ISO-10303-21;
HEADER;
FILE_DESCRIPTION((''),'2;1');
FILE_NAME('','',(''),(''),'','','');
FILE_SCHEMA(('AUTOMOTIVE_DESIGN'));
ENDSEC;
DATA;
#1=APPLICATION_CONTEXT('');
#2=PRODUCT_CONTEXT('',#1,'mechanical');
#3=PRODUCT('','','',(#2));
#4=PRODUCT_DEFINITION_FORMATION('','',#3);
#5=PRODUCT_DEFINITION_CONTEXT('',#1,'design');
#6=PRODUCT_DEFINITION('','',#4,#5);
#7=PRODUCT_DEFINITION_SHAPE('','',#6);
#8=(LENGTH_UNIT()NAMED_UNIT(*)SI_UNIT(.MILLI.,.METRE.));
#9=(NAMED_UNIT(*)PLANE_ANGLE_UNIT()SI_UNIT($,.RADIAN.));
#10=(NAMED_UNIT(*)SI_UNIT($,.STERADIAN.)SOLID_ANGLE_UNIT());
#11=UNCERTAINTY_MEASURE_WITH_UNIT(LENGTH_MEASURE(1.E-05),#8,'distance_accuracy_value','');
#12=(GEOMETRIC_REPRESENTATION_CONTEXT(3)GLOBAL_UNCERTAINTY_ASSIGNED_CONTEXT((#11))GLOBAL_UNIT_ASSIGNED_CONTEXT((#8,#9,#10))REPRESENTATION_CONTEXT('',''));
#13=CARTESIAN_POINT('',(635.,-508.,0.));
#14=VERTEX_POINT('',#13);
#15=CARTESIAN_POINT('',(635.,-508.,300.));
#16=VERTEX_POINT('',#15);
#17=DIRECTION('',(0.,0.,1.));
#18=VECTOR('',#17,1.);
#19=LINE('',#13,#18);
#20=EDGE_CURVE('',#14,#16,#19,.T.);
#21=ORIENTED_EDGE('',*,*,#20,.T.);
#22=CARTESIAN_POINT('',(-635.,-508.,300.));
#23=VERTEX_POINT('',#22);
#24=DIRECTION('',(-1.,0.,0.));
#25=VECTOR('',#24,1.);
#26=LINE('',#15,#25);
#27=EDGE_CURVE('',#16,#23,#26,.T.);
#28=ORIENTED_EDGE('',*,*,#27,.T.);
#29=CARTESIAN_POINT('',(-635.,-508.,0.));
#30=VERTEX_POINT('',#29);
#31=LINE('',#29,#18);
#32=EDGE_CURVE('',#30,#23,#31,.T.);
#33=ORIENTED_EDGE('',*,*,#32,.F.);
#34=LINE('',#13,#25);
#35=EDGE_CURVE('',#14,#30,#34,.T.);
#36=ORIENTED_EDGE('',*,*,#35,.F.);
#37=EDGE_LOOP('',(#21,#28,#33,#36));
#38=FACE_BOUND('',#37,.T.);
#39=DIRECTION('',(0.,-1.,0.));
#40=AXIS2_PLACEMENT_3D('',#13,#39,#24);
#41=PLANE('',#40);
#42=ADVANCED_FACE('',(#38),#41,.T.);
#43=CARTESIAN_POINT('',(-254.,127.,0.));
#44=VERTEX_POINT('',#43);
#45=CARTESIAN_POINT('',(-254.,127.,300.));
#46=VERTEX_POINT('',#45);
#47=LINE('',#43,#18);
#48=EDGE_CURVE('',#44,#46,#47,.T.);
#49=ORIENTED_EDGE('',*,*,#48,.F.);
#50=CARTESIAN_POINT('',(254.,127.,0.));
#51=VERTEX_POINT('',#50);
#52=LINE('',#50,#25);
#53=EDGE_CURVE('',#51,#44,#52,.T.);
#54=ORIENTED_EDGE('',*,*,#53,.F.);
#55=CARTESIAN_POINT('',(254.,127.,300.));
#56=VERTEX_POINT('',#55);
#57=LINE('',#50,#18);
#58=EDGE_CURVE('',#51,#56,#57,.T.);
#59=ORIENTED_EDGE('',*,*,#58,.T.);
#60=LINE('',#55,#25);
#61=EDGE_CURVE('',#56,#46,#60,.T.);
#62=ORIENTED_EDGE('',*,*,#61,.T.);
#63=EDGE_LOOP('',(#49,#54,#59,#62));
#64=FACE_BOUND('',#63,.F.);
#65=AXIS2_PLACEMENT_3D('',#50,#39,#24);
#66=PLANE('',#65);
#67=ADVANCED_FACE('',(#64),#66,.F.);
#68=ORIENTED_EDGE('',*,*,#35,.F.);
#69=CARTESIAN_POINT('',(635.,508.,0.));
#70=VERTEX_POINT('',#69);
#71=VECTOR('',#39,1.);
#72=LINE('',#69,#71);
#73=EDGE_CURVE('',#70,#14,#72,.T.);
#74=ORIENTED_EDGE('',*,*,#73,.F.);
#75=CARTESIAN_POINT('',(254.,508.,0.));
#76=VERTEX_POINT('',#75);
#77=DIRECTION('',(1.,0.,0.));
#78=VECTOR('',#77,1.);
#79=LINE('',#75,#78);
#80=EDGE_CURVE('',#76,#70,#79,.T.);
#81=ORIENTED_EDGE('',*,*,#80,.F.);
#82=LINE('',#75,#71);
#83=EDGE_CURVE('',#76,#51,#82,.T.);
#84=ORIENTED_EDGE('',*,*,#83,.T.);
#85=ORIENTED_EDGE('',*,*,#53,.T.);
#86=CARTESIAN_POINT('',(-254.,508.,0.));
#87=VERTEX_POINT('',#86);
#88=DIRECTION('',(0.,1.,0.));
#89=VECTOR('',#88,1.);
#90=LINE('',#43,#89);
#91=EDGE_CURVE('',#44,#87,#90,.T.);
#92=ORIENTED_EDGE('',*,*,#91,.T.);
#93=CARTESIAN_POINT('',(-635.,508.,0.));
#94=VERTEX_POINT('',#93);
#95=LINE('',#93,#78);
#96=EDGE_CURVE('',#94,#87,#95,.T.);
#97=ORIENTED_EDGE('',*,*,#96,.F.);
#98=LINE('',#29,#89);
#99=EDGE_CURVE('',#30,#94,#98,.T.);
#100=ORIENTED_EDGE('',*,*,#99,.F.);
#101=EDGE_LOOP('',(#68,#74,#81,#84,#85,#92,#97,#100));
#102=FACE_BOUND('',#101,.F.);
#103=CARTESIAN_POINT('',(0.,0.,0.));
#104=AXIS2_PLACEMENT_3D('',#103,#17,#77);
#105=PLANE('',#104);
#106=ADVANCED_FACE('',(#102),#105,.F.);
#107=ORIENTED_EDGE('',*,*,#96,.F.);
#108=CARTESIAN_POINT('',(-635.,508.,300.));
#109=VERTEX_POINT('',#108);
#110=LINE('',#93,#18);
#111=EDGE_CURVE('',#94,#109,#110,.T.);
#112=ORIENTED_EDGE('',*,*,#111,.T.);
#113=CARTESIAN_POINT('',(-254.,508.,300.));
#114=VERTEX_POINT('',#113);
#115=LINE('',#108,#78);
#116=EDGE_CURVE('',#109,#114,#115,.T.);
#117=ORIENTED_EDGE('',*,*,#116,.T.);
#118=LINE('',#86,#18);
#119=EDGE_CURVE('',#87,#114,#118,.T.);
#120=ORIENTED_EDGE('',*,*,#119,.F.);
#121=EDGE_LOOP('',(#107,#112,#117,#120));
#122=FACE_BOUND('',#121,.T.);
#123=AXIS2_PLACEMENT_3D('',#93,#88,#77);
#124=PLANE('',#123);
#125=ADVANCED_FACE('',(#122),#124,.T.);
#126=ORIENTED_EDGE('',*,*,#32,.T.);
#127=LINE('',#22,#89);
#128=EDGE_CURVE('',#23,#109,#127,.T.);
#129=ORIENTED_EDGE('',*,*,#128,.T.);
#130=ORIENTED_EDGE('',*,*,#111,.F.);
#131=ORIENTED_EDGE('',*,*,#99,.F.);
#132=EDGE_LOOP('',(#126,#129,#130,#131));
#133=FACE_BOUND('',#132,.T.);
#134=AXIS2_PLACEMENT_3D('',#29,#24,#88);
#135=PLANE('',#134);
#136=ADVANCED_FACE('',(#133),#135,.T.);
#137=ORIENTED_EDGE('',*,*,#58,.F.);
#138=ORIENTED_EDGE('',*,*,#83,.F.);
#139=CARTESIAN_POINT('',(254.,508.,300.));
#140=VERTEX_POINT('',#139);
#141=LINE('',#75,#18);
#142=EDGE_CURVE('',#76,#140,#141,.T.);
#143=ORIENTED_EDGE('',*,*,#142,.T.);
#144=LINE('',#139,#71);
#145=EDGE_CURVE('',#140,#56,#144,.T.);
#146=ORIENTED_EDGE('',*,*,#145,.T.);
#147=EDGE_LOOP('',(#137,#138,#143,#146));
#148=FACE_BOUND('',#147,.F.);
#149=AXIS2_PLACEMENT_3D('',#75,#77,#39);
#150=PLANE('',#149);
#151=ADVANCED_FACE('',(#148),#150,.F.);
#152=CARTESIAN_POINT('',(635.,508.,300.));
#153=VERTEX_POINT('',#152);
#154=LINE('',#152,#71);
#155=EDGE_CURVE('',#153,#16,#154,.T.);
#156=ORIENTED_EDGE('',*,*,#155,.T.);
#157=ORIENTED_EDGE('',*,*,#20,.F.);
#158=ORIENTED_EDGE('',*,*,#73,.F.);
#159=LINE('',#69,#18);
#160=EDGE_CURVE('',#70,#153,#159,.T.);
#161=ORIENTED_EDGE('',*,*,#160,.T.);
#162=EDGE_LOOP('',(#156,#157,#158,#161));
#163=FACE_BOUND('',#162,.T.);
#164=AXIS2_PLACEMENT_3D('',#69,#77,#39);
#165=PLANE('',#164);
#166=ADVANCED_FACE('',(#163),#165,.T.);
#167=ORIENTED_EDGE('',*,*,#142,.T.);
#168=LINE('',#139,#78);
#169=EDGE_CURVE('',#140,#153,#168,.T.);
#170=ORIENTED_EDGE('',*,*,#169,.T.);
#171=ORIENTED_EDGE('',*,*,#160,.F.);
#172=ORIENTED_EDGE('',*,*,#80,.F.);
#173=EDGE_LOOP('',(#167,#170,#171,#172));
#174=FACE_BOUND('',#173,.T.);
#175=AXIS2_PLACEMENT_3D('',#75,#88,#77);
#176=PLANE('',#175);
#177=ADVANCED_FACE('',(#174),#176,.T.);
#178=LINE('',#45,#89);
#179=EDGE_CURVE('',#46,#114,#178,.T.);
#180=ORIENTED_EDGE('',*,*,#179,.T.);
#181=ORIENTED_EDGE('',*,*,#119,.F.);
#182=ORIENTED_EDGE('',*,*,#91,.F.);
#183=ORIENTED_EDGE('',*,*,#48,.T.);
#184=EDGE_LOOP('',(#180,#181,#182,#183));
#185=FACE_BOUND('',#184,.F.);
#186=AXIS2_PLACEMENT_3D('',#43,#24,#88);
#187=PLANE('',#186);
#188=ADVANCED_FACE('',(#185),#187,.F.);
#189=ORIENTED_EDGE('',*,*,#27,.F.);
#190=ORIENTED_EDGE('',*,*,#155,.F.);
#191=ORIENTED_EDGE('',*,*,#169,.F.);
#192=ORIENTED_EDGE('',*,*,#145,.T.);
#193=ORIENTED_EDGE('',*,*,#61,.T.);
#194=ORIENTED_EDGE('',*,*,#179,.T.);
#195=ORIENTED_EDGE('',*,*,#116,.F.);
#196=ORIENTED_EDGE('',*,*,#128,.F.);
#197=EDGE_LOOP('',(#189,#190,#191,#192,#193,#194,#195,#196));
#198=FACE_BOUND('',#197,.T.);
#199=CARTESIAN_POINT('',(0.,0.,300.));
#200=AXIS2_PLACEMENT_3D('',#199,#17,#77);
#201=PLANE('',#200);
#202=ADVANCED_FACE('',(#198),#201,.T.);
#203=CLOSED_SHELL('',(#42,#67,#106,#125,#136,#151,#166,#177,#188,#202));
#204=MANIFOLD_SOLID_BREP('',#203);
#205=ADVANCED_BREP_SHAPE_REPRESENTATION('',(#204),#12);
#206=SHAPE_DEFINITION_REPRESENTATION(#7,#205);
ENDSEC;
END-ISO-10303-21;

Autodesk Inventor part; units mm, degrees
ref_plane "YZ Plane" through (0, 0, 0) normal (1, 0, 0) x (0, 1, 0)
ref_plane "XZ Plane" through (0, 0, 0) normal (0, 1, 0) x (-1, 0, 0)
ref_plane "XY Plane" through (0, 0, 0) normal (0, 0, 1) x (1, 0, 0)
sketch "Sketch1" plane through (0, 0, 0) normal (0, 0, 1) x (1, 0, 0)
  line L0 (635, 508) -> (635, -508)
  line L1 (635, -508) -> (-635, -508)
  line L2 (-635, -508) -> (-635, 508)
  line L3 (254, 508) -> (254, 127)
  line L4 (254, 127) -> (-254, 127)
  line L5 (-254, 127) -> (-254, 508)
  line L6 (-635, 508) -> (-254, 508)
  line L7 (254, 508) -> (635, 508)
  point P0 (0, 0)
  dimension "d0" = 1270
  dimension "d1" = 1016
extrude "Extrusion1" add sketch "Sketch1" along normal blind 300
properties part number "051665019_11"
